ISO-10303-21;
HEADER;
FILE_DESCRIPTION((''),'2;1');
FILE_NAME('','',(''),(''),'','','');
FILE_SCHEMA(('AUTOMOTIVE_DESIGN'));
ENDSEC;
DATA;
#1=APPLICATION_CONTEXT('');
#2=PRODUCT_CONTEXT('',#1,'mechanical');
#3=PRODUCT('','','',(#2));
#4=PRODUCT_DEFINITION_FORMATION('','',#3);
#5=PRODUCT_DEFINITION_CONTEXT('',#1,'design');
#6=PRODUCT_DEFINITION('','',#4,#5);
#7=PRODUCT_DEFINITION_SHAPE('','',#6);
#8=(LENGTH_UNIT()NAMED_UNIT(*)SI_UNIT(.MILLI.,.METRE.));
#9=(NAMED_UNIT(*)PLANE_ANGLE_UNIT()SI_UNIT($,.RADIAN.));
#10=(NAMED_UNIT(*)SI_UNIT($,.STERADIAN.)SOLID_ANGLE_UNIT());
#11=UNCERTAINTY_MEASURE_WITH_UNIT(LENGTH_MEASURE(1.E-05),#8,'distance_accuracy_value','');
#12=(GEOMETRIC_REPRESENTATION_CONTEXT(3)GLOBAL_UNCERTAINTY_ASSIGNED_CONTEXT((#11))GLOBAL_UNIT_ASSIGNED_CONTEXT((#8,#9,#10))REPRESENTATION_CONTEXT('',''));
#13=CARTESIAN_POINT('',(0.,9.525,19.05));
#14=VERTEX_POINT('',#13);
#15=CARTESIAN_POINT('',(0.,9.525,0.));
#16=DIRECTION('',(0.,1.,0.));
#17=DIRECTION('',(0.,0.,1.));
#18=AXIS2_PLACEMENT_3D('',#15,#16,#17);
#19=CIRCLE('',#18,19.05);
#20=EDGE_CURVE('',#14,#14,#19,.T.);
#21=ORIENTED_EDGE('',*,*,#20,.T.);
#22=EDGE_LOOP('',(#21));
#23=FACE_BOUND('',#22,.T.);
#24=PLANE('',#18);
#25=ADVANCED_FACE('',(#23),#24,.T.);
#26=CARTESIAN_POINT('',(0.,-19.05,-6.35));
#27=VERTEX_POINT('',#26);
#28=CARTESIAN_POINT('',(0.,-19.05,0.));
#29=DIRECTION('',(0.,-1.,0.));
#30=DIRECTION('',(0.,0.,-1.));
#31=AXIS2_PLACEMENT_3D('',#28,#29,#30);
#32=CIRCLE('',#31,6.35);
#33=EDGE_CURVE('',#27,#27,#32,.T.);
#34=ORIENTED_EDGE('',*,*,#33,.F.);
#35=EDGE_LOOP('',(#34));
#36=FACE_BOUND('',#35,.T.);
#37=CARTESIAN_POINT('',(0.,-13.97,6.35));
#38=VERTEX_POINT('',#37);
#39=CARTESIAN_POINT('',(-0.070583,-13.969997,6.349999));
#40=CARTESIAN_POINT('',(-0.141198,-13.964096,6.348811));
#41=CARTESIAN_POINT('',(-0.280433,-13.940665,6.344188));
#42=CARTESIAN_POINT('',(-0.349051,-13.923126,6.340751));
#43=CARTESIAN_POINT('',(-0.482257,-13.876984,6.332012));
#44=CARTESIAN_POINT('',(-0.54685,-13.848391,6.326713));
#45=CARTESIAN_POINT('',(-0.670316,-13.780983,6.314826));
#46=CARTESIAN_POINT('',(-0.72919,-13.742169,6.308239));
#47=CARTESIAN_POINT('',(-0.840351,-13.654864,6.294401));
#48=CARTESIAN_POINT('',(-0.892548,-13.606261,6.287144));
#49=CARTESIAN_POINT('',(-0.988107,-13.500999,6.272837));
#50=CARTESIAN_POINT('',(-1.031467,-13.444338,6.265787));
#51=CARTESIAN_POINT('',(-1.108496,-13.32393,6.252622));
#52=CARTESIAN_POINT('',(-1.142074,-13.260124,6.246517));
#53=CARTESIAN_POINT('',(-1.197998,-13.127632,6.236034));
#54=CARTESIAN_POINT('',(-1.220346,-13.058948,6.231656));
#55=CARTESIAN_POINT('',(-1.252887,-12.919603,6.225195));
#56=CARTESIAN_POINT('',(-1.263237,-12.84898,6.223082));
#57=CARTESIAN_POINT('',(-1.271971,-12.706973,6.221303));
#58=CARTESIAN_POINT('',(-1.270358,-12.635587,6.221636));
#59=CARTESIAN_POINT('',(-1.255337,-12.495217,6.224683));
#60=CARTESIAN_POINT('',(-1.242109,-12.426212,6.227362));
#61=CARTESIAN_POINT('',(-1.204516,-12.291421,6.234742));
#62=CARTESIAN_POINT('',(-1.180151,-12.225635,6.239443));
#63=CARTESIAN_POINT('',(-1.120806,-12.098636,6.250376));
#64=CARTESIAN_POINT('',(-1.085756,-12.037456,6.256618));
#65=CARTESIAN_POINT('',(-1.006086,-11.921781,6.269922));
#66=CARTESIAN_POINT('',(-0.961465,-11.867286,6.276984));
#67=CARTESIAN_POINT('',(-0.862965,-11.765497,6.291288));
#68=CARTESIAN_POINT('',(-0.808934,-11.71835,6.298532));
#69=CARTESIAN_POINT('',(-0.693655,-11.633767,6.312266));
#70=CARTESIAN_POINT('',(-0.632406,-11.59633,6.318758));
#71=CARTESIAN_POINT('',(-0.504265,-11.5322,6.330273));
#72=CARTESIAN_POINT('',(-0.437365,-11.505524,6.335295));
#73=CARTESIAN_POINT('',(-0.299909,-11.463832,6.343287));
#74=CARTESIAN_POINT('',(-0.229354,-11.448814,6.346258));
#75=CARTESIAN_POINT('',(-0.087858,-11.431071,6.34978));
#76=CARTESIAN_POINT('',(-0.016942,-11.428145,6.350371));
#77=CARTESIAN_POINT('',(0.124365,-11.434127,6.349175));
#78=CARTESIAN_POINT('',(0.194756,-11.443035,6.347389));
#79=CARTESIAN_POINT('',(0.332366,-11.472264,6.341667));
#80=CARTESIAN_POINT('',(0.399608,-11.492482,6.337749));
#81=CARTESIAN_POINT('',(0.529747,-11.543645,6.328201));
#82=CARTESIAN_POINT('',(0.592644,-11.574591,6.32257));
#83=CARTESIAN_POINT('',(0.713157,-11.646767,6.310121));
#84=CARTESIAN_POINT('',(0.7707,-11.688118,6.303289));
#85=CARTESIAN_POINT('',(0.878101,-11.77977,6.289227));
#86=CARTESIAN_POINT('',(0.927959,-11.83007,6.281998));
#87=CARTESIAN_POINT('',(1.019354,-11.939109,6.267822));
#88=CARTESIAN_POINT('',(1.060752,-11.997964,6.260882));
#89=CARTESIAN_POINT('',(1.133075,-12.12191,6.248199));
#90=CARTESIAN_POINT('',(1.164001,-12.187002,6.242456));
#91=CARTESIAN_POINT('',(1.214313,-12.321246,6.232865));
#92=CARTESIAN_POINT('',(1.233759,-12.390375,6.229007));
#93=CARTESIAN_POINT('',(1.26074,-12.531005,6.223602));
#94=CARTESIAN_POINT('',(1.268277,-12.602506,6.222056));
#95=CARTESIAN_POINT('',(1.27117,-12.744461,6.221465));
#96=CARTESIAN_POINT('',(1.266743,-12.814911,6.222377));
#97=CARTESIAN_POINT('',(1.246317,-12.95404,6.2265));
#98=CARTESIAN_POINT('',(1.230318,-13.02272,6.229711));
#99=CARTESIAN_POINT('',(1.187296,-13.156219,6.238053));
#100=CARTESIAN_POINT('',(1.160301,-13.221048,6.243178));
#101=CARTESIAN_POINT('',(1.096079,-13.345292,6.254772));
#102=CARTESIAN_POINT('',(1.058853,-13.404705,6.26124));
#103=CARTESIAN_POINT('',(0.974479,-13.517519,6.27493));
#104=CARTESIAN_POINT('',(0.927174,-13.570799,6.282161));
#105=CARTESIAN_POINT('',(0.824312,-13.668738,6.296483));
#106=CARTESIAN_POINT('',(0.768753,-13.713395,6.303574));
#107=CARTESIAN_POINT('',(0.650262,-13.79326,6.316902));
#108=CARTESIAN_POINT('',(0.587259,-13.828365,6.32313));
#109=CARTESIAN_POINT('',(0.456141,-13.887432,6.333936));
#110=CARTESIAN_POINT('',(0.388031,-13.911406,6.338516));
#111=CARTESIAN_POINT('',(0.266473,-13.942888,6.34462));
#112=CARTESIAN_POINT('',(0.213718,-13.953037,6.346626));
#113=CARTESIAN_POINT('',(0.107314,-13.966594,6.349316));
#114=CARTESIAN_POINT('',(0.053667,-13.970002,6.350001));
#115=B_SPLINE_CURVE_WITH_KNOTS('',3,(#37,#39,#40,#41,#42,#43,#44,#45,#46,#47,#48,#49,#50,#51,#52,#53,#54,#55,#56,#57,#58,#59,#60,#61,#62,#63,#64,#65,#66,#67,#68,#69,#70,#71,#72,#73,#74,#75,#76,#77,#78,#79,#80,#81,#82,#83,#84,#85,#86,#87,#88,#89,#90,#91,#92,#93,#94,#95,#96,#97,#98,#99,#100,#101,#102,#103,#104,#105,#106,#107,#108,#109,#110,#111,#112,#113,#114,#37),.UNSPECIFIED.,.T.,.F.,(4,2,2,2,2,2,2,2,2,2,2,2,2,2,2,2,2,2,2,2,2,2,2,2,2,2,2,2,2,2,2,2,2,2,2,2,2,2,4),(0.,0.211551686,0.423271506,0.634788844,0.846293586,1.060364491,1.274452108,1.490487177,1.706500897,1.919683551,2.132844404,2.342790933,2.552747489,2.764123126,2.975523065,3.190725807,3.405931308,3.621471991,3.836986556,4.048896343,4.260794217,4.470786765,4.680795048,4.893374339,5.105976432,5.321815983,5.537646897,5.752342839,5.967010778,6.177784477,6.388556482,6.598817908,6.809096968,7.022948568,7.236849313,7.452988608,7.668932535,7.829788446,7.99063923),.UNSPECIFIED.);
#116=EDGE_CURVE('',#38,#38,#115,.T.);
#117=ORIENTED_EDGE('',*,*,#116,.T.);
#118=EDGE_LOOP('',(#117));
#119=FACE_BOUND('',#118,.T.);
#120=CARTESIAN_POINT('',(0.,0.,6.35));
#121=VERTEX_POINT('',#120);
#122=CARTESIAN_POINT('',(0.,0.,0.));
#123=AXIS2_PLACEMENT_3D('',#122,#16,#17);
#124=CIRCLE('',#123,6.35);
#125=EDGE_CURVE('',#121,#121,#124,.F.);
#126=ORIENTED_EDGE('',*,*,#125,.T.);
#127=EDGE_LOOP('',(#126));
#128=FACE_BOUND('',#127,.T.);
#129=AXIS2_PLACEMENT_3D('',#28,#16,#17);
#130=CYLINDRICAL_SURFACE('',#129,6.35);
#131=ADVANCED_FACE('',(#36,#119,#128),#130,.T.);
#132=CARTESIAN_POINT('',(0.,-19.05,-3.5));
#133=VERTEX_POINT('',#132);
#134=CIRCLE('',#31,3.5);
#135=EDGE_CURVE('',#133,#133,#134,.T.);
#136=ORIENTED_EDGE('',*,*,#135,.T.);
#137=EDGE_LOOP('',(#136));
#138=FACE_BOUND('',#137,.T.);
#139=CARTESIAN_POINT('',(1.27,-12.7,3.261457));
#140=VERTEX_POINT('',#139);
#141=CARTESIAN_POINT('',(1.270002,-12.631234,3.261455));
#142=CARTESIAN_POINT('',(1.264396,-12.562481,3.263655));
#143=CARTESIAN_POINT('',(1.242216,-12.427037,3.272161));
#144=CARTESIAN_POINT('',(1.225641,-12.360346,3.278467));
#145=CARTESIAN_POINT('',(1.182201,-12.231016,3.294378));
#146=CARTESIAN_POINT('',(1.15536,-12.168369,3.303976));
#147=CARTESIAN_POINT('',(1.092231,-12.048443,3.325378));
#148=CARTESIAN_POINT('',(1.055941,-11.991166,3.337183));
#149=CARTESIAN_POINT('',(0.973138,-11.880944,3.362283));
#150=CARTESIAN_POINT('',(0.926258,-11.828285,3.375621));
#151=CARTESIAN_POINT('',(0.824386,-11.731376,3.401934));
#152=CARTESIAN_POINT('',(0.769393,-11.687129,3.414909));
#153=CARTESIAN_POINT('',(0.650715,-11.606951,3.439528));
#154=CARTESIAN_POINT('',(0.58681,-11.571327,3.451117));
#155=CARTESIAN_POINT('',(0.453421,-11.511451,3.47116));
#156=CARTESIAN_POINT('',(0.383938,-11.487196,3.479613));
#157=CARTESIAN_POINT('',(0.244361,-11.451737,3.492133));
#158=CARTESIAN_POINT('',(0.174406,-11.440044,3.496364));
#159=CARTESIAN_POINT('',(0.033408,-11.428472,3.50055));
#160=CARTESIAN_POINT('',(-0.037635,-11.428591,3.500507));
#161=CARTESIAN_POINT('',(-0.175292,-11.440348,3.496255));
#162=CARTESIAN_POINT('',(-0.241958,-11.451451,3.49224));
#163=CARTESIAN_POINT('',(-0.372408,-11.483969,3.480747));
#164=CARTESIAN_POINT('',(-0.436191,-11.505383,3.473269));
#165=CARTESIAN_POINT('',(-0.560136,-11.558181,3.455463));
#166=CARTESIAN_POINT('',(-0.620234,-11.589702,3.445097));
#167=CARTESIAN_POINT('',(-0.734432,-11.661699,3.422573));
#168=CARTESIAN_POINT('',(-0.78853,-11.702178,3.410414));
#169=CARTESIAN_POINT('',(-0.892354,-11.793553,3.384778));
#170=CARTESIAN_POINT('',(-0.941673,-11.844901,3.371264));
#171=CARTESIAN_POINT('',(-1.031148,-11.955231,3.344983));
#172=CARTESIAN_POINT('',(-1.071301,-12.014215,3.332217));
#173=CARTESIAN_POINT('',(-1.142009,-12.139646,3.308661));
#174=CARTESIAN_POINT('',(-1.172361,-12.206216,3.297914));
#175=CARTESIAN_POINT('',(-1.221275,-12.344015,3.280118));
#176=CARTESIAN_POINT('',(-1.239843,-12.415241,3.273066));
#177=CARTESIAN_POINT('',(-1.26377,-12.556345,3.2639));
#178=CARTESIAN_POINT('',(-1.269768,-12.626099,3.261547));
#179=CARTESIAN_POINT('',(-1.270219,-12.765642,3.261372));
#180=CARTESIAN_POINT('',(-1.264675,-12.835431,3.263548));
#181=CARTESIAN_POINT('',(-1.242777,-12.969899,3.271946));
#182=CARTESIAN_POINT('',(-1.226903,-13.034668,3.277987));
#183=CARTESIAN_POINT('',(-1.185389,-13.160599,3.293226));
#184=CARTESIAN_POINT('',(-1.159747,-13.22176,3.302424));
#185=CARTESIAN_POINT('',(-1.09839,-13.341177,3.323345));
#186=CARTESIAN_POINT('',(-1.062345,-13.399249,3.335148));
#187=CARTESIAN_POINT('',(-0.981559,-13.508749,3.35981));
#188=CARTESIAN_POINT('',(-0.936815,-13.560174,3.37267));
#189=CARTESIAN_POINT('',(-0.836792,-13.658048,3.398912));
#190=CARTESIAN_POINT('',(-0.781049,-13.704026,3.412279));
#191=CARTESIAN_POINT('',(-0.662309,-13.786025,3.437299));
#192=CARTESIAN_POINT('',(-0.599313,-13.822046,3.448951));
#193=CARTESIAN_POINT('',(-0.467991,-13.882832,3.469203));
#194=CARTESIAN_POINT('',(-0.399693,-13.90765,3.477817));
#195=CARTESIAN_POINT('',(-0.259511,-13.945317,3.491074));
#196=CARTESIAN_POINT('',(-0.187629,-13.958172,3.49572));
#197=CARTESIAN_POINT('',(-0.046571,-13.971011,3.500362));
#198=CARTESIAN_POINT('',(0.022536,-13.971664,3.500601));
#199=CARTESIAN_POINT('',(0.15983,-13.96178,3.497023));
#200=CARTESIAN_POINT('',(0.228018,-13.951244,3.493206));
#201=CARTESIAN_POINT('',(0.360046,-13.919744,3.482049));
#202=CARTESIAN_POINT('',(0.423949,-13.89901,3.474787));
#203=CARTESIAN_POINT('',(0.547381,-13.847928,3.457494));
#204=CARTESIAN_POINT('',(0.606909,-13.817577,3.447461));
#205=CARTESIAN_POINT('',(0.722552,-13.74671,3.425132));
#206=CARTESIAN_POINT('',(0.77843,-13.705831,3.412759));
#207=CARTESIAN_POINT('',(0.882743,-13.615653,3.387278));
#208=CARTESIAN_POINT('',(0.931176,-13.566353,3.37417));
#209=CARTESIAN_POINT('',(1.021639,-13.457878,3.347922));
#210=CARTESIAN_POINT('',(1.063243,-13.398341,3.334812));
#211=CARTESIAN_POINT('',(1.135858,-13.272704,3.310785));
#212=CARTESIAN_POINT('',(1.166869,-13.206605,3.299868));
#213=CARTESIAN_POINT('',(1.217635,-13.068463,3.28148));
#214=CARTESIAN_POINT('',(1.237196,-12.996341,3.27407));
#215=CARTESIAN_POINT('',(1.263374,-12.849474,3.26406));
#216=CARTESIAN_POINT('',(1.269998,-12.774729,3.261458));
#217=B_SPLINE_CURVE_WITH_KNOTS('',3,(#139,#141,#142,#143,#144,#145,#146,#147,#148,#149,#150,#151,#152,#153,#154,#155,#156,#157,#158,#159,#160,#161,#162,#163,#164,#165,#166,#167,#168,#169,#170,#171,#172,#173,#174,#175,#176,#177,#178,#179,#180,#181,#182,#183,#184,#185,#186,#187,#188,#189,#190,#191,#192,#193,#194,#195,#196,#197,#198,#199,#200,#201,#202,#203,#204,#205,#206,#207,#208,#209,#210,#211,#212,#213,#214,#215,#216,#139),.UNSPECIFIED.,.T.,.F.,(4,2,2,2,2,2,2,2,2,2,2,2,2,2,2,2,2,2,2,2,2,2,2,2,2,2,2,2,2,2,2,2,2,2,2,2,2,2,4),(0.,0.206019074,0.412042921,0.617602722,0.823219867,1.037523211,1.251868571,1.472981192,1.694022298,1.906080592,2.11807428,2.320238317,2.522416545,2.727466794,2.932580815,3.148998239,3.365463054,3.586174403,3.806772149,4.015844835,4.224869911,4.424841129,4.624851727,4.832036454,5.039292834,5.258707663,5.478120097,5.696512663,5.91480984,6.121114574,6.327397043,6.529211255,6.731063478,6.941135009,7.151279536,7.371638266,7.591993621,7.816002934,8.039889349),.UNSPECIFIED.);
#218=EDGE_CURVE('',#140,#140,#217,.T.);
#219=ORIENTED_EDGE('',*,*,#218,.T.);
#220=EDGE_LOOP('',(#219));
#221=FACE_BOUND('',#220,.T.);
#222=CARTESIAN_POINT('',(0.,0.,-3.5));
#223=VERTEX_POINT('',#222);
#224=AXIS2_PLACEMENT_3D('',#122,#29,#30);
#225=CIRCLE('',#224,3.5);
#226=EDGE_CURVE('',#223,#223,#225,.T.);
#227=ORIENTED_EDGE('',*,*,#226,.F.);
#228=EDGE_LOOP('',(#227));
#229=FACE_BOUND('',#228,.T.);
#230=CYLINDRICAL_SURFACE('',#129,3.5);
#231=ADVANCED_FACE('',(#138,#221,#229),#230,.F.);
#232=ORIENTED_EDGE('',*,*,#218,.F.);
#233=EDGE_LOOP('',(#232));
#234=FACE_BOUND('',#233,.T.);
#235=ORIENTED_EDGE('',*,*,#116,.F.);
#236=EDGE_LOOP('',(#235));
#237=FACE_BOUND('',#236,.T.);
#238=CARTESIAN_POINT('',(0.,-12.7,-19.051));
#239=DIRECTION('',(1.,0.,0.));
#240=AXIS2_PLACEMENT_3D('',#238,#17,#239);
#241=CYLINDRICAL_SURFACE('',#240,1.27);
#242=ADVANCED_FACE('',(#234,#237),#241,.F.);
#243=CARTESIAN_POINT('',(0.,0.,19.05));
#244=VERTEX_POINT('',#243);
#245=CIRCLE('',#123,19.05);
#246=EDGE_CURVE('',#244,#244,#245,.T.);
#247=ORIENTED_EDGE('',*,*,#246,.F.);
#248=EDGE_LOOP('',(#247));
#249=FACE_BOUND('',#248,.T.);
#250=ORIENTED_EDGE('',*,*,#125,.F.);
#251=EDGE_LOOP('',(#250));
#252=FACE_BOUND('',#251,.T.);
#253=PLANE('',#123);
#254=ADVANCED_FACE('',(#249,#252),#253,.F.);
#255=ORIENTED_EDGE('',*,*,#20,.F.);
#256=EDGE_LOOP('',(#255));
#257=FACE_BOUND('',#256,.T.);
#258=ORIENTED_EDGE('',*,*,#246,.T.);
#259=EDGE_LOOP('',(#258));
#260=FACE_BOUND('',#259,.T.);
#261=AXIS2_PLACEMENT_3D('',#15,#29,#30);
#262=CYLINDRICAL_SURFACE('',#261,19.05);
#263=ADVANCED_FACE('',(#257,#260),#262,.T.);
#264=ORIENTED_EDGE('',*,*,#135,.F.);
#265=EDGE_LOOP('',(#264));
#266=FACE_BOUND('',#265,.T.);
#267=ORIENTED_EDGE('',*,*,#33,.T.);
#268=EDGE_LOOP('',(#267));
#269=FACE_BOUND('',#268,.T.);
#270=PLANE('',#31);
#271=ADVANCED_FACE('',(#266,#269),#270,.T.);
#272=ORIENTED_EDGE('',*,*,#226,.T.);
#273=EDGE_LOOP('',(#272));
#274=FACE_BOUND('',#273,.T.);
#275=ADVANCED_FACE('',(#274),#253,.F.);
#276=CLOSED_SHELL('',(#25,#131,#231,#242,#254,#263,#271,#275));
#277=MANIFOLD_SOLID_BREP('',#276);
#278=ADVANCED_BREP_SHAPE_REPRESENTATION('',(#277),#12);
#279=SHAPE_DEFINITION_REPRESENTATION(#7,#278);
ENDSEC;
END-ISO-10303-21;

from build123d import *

# Parameters (mm, degrees)
SKETCH1_R           = 19.05
BOSS_EXTRUDE1_DEPTH = 9.525
SKETCH2_R           = 6.35
SKETCH2_R_2         = 3.5
BOSS_EXTRUDE2_DEPTH = 19.05
CUT_EXTRUDE1_REACH  = 27.4
SKETCH3_R           = 1.27


with BuildPart() as part:
    # Sketch1 → Boss-Extrude1 (new body)
    with BuildSketch(Plane(origin=(0, 0, 0), x_dir=(1, 0, 0), z_dir=(0, 1, 0))):
        Circle(SKETCH1_R)
    extrude(amount=BOSS_EXTRUDE1_DEPTH)

    # Sketch2 → Boss-Extrude2 (add)
    with BuildSketch(Plane.XZ):
        Circle(SKETCH2_R)
        Circle(SKETCH2_R_2, mode=Mode.SUBTRACT)
    extrude(amount=BOSS_EXTRUDE2_DEPTH)

    # Sketch3 → Cut-Extrude1 (cut, up to next)
    with BuildSketch(Plane.XY.offset(6.35), mode=Mode.PRIVATE) as cut_extrude1_sk1:
        with Locations((0, -12.7)):
            Circle(SKETCH3_R)
    cut_extrude1_tool1 = extrude(cut_extrude1_sk1.sketch, amount=-CUT_EXTRUDE1_REACH, mode=Mode.PRIVATE) & part.part
    add(cut_extrude1_tool1.solids().sort_by_distance((0, -12.7, 6.35))[0], mode=Mode.SUBTRACT)


solid = part.part
